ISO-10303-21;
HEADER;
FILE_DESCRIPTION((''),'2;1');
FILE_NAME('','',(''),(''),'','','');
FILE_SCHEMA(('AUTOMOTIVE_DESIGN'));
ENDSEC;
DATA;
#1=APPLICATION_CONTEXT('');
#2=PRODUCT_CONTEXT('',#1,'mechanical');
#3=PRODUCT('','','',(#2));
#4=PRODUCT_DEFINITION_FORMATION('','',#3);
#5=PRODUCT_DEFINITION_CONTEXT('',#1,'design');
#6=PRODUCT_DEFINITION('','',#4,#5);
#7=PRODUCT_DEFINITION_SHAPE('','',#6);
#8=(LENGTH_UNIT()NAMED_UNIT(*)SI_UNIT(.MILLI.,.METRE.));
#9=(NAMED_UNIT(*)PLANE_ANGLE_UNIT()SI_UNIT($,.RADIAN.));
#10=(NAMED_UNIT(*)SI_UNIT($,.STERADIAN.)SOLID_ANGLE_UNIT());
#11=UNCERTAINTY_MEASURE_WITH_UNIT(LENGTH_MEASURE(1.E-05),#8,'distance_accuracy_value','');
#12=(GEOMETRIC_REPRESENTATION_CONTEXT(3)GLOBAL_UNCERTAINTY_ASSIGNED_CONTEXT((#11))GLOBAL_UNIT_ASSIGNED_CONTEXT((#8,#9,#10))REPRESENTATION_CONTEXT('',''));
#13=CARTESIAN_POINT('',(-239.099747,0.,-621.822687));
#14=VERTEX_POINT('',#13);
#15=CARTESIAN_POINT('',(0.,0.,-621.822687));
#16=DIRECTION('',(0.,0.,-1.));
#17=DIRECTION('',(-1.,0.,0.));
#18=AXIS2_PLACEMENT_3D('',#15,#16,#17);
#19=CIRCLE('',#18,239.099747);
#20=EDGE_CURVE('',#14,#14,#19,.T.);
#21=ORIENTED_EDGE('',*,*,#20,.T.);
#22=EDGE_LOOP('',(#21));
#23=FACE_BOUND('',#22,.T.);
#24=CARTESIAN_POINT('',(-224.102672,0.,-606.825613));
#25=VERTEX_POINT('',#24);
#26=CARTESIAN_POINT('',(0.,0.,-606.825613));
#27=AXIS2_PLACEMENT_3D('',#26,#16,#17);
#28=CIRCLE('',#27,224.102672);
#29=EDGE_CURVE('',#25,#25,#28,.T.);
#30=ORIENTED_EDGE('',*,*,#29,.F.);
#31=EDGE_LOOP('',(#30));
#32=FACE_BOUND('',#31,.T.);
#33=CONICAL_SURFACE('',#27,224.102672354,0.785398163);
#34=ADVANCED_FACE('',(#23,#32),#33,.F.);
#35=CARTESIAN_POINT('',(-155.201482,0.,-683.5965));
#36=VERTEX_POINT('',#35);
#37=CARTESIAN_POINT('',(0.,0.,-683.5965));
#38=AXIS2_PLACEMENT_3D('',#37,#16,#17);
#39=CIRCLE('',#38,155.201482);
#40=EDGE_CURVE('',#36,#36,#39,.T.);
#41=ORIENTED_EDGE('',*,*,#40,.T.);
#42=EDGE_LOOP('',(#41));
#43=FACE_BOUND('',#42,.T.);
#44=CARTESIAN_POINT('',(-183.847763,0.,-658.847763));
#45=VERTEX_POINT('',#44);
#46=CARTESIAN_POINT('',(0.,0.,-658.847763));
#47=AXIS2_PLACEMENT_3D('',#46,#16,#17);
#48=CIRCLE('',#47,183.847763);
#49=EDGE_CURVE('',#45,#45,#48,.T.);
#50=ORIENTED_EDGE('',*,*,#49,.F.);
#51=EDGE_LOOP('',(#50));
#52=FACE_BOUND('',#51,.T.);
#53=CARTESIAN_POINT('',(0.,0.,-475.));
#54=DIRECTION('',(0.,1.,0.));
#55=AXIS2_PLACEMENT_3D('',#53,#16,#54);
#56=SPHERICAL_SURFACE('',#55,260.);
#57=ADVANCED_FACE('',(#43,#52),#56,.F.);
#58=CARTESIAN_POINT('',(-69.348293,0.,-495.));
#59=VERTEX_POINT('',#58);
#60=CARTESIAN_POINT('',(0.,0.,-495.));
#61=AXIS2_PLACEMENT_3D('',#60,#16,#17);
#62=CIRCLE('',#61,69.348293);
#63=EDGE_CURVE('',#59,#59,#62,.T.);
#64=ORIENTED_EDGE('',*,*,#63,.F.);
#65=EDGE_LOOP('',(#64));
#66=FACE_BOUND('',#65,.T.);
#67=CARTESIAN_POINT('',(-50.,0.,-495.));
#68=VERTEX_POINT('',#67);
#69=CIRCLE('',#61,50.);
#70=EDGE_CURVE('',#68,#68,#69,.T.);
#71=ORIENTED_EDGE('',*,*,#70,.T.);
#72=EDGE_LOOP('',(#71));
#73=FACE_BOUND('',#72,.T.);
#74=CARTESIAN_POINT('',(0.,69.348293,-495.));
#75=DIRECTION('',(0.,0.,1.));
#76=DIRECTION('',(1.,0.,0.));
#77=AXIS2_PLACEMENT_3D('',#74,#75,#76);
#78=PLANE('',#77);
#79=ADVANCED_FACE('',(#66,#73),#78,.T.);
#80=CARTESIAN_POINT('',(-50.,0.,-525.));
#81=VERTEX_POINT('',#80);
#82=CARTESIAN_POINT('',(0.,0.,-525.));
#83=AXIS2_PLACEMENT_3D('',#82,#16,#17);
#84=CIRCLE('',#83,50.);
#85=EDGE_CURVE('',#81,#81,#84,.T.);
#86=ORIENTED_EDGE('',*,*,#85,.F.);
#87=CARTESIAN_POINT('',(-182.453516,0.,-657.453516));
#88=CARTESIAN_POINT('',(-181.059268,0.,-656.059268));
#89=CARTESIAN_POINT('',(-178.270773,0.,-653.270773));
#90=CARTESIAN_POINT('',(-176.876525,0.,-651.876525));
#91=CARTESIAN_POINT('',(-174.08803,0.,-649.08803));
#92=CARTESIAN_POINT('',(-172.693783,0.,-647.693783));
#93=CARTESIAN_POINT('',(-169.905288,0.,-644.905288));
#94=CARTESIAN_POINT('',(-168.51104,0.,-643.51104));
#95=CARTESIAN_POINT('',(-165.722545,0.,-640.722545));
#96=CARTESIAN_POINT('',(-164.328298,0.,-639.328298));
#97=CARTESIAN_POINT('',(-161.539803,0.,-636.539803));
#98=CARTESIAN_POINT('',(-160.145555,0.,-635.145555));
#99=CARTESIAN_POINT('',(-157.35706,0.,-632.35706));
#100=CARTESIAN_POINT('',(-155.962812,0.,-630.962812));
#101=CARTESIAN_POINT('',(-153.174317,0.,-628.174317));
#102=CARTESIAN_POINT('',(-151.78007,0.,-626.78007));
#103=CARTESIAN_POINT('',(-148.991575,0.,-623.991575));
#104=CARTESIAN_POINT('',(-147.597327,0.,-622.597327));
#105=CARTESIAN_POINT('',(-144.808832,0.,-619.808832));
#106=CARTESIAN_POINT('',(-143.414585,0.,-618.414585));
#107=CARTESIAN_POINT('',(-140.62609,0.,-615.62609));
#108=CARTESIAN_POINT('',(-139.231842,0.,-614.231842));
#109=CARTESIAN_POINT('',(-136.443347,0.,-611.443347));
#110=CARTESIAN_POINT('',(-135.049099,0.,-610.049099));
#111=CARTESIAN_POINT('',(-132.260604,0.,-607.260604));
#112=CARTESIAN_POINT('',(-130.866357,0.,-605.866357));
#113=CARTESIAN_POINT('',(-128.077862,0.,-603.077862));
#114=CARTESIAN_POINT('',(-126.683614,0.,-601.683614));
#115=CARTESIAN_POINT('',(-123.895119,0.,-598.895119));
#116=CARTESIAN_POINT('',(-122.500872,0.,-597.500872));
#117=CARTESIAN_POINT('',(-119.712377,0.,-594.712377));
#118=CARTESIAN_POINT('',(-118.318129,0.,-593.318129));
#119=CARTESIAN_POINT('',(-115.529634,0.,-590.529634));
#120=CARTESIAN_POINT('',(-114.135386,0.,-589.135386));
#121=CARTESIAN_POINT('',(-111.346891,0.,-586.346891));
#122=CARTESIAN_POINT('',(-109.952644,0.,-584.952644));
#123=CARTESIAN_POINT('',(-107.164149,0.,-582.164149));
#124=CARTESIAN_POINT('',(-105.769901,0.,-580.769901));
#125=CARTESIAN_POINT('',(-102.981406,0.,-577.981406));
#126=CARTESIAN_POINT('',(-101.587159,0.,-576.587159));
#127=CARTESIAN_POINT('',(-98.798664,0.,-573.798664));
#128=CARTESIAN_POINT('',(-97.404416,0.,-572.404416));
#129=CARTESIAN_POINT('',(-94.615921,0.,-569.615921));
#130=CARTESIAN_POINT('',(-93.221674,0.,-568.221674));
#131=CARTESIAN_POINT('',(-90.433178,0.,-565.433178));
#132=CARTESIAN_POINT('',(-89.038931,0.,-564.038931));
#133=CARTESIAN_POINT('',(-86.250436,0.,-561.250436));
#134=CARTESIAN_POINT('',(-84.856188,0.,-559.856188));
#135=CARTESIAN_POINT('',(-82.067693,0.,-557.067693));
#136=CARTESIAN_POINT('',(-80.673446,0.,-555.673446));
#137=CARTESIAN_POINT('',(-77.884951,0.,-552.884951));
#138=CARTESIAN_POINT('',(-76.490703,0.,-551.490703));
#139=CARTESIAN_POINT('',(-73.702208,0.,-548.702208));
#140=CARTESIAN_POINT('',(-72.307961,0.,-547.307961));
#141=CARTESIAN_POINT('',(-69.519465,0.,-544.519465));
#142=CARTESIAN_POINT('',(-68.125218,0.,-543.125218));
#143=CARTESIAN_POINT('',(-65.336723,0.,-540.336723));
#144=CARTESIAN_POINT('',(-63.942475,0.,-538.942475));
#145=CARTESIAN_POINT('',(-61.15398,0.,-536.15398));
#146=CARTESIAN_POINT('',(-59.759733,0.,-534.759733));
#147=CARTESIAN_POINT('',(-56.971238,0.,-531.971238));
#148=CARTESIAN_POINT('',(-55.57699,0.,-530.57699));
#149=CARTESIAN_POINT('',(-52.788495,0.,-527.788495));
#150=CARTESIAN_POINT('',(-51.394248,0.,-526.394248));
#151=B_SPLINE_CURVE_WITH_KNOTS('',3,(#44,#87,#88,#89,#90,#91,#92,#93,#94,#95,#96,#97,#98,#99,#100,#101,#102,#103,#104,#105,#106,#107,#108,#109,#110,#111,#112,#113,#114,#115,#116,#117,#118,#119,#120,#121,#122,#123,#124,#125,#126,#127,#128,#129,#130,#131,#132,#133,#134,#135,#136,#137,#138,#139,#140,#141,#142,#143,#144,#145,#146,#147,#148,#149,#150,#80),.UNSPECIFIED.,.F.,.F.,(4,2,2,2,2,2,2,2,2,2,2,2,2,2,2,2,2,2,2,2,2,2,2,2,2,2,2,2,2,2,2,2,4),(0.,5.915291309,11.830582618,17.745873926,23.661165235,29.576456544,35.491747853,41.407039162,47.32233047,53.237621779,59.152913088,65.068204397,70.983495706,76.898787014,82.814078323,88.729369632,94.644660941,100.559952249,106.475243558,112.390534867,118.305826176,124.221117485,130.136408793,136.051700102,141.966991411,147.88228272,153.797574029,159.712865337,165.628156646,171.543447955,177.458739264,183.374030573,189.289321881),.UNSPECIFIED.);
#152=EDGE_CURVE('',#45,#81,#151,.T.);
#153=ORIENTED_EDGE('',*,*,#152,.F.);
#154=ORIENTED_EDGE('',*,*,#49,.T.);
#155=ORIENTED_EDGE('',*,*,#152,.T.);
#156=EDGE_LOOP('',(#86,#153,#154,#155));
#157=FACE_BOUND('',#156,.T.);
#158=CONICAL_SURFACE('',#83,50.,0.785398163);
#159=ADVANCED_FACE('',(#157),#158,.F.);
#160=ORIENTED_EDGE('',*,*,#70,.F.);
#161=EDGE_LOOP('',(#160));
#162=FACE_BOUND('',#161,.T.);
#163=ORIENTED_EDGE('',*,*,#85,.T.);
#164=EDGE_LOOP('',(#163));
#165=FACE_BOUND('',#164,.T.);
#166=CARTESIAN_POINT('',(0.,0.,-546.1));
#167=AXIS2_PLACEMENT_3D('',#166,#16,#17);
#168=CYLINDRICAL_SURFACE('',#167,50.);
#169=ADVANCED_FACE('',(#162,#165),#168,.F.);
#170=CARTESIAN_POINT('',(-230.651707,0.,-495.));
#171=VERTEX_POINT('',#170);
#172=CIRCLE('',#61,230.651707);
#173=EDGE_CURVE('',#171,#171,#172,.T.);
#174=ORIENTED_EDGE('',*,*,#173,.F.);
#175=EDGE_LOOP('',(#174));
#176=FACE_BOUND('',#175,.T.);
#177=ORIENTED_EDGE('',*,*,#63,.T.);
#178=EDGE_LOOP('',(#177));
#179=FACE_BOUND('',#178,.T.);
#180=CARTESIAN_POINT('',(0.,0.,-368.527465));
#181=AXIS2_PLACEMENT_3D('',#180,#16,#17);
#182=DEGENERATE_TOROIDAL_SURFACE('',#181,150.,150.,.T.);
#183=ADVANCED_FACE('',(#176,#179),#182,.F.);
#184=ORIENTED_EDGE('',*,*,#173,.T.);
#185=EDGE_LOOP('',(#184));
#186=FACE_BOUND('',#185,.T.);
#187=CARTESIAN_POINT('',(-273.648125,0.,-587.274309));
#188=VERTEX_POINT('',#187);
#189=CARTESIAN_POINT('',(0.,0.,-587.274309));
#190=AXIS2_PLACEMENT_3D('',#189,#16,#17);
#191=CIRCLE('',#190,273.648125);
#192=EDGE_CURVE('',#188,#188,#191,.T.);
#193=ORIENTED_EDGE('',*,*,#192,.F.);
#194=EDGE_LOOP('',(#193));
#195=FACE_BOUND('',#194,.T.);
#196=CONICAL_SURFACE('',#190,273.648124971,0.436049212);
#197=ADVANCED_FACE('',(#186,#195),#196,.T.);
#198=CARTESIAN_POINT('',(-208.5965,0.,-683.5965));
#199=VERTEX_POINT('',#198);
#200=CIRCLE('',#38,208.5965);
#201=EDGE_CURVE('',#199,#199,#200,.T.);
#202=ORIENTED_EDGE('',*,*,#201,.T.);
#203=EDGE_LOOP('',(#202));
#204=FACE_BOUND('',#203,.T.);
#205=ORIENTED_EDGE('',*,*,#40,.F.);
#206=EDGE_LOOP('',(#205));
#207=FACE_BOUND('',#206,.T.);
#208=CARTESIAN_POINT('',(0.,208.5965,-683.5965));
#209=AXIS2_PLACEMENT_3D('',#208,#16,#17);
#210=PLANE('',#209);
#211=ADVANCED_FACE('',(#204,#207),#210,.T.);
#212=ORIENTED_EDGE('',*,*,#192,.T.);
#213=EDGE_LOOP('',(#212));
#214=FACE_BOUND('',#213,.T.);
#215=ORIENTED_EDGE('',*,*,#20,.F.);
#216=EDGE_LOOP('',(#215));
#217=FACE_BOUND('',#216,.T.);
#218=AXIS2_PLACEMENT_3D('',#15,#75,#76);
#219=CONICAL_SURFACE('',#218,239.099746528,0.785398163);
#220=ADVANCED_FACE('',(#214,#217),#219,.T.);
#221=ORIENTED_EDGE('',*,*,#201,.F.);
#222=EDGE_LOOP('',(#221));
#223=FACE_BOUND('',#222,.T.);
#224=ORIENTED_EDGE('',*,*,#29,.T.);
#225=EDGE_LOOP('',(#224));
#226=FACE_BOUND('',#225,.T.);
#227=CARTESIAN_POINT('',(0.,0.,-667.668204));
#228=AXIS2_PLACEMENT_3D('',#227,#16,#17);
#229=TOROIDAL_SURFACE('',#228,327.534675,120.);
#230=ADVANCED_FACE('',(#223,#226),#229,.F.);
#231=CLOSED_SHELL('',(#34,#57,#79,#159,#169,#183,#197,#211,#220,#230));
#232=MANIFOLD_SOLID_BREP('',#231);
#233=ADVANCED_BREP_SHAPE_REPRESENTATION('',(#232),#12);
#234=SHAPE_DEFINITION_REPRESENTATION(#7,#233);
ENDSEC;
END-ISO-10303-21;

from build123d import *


with BuildPart() as part:
    # Hatch Sketch → Hatch Revolution (revolve)
    with BuildSketch(Plane(origin=(0, 0, 0), x_dir=(0, 0, -1), z_dir=(1, 0, 0)), mode=Mode.PRIVATE) as hatch_revolution_sk:
        with BuildLine():
            Line((587.274308735, 273.648124971), (495, 230.651707126))
            ThreePointArc((495, 230.651707126), (518.527464888, 150), (495, 69.348292874))
            Line((495, 69.348292874), (495, 50))
            Line((495, 50), (525, 50))
            Line((525, 50), (658.847763109, 183.847763109))
            ThreePointArc((658.847763109, 183.847763109), (671.744192687, 169.975653092), (683.59650045, 155.201481952))
            Line((683.59650045, 155.201481952), (683.59650045, 208.59650045))
            ThreePointArc((683.59650045, 208.59650045), (643.910388309, 209.909991295), (606.825613004, 224.102672354))
            Line((606.825613004, 224.102672354), (621.822687178, 239.099746528))
            Line((621.822687178, 239.099746528), (587.274308735, 273.648124971))
        make_face()
    revolve(hatch_revolution_sk.sketch.rotate(Axis((0, 0, -546.1), (0, 0, 1)), 90), axis=Axis((0, 0, -546.1), (0, 0, 1)))


solid = part.part
